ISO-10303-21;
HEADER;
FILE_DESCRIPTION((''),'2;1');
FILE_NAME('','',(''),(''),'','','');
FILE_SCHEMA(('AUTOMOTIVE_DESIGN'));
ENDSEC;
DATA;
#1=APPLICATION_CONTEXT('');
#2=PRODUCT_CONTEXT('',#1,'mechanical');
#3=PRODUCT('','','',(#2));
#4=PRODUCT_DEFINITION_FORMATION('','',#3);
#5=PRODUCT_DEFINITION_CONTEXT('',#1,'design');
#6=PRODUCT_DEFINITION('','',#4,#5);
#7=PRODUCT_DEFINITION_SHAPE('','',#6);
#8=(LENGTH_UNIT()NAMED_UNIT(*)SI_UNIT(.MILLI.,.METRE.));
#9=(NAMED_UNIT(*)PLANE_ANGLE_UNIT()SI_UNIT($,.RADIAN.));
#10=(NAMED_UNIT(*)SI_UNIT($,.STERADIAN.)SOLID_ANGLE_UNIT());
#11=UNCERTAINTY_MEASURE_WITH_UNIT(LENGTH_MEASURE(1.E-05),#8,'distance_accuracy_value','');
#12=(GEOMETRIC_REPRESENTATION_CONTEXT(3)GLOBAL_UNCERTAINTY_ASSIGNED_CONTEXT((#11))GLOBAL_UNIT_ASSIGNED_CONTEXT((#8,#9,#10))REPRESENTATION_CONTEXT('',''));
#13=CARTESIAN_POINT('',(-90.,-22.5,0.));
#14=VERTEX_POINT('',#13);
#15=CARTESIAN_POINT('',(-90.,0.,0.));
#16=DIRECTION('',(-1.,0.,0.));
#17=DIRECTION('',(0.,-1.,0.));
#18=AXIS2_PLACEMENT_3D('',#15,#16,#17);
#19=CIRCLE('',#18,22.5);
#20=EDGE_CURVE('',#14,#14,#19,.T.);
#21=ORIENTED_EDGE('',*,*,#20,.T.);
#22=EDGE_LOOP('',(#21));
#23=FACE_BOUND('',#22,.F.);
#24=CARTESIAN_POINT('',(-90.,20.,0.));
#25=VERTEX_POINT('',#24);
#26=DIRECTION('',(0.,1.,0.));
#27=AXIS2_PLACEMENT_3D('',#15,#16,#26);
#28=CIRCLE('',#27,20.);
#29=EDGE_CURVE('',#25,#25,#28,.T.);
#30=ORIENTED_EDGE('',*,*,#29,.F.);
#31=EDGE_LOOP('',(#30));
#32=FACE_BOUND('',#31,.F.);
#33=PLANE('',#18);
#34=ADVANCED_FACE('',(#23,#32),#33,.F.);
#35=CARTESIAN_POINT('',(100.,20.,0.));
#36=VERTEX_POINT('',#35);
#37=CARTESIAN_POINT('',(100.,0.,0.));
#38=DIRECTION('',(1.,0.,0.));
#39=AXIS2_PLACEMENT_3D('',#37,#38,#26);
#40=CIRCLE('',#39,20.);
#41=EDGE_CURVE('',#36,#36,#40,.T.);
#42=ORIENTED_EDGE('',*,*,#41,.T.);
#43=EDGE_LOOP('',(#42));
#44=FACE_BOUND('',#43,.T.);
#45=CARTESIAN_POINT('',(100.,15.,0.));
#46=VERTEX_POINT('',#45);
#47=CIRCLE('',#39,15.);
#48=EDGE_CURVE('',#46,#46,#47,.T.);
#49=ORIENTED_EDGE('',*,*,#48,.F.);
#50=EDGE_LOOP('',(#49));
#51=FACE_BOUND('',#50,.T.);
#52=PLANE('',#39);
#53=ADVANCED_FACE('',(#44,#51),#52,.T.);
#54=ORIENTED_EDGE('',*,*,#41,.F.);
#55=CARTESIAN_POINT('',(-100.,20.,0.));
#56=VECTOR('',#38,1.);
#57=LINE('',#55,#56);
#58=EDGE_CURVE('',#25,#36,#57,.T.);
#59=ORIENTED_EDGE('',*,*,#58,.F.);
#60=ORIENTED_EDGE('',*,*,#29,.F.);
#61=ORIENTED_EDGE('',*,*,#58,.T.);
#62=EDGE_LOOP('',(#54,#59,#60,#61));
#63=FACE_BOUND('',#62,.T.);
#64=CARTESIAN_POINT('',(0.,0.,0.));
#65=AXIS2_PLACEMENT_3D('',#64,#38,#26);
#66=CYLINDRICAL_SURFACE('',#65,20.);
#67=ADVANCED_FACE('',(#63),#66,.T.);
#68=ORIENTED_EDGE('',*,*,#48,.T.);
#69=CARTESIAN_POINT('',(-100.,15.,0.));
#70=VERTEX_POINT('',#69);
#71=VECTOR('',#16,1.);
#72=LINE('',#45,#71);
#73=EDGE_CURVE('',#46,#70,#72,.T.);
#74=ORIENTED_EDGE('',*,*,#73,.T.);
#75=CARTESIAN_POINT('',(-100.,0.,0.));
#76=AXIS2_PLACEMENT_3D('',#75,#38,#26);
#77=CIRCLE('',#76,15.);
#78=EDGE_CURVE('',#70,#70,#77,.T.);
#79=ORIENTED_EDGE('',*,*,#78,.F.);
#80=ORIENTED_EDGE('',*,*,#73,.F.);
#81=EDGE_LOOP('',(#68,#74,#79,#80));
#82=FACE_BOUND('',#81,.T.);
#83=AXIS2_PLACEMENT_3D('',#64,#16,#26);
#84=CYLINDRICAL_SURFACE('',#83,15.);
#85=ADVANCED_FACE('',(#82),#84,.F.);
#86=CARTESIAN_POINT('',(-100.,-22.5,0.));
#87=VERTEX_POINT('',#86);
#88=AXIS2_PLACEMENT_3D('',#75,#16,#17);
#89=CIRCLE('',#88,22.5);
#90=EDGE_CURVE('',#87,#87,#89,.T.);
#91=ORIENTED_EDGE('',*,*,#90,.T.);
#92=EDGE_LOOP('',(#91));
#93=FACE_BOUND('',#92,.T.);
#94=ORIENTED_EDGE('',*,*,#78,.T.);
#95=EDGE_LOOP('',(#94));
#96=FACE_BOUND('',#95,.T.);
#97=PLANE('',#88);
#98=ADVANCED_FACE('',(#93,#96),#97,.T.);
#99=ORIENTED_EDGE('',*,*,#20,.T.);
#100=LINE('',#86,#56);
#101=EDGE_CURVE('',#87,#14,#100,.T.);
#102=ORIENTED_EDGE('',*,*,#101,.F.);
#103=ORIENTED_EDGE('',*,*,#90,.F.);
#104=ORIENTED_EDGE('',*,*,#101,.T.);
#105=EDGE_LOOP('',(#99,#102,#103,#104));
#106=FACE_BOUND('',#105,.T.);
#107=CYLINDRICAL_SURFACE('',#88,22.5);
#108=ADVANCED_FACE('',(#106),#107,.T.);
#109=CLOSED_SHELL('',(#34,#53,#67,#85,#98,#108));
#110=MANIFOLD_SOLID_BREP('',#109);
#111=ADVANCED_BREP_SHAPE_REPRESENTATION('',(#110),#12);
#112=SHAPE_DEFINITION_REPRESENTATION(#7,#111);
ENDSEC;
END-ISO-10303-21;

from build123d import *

# Parameters (mm, degrees)
F0_R     = 20
F0_R_2   = 15
F1_DEPTH = 100
F2_R     = 22.5
F2_R_2   = 20
F3_DEPTH = 10


with BuildPart() as f1:
    # F0 (on Right) → F1 (new body, symmetric)
    with BuildSketch(Plane.YZ):
        Circle(F0_R)
        Circle(F0_R_2, mode=Mode.SUBTRACT)
    extrude(amount=F1_DEPTH, both=True)

    # F2 (on face) → F3 (join)
    with BuildSketch(Plane(origin=(-100, 0, 0), x_dir=(0, -1, 0), z_dir=(-1, 0, 0))):
        Circle(F2_R)
        Circle(F2_R_2, mode=Mode.SUBTRACT)
    extrude(amount=-F3_DEPTH)


solid = f1.part
